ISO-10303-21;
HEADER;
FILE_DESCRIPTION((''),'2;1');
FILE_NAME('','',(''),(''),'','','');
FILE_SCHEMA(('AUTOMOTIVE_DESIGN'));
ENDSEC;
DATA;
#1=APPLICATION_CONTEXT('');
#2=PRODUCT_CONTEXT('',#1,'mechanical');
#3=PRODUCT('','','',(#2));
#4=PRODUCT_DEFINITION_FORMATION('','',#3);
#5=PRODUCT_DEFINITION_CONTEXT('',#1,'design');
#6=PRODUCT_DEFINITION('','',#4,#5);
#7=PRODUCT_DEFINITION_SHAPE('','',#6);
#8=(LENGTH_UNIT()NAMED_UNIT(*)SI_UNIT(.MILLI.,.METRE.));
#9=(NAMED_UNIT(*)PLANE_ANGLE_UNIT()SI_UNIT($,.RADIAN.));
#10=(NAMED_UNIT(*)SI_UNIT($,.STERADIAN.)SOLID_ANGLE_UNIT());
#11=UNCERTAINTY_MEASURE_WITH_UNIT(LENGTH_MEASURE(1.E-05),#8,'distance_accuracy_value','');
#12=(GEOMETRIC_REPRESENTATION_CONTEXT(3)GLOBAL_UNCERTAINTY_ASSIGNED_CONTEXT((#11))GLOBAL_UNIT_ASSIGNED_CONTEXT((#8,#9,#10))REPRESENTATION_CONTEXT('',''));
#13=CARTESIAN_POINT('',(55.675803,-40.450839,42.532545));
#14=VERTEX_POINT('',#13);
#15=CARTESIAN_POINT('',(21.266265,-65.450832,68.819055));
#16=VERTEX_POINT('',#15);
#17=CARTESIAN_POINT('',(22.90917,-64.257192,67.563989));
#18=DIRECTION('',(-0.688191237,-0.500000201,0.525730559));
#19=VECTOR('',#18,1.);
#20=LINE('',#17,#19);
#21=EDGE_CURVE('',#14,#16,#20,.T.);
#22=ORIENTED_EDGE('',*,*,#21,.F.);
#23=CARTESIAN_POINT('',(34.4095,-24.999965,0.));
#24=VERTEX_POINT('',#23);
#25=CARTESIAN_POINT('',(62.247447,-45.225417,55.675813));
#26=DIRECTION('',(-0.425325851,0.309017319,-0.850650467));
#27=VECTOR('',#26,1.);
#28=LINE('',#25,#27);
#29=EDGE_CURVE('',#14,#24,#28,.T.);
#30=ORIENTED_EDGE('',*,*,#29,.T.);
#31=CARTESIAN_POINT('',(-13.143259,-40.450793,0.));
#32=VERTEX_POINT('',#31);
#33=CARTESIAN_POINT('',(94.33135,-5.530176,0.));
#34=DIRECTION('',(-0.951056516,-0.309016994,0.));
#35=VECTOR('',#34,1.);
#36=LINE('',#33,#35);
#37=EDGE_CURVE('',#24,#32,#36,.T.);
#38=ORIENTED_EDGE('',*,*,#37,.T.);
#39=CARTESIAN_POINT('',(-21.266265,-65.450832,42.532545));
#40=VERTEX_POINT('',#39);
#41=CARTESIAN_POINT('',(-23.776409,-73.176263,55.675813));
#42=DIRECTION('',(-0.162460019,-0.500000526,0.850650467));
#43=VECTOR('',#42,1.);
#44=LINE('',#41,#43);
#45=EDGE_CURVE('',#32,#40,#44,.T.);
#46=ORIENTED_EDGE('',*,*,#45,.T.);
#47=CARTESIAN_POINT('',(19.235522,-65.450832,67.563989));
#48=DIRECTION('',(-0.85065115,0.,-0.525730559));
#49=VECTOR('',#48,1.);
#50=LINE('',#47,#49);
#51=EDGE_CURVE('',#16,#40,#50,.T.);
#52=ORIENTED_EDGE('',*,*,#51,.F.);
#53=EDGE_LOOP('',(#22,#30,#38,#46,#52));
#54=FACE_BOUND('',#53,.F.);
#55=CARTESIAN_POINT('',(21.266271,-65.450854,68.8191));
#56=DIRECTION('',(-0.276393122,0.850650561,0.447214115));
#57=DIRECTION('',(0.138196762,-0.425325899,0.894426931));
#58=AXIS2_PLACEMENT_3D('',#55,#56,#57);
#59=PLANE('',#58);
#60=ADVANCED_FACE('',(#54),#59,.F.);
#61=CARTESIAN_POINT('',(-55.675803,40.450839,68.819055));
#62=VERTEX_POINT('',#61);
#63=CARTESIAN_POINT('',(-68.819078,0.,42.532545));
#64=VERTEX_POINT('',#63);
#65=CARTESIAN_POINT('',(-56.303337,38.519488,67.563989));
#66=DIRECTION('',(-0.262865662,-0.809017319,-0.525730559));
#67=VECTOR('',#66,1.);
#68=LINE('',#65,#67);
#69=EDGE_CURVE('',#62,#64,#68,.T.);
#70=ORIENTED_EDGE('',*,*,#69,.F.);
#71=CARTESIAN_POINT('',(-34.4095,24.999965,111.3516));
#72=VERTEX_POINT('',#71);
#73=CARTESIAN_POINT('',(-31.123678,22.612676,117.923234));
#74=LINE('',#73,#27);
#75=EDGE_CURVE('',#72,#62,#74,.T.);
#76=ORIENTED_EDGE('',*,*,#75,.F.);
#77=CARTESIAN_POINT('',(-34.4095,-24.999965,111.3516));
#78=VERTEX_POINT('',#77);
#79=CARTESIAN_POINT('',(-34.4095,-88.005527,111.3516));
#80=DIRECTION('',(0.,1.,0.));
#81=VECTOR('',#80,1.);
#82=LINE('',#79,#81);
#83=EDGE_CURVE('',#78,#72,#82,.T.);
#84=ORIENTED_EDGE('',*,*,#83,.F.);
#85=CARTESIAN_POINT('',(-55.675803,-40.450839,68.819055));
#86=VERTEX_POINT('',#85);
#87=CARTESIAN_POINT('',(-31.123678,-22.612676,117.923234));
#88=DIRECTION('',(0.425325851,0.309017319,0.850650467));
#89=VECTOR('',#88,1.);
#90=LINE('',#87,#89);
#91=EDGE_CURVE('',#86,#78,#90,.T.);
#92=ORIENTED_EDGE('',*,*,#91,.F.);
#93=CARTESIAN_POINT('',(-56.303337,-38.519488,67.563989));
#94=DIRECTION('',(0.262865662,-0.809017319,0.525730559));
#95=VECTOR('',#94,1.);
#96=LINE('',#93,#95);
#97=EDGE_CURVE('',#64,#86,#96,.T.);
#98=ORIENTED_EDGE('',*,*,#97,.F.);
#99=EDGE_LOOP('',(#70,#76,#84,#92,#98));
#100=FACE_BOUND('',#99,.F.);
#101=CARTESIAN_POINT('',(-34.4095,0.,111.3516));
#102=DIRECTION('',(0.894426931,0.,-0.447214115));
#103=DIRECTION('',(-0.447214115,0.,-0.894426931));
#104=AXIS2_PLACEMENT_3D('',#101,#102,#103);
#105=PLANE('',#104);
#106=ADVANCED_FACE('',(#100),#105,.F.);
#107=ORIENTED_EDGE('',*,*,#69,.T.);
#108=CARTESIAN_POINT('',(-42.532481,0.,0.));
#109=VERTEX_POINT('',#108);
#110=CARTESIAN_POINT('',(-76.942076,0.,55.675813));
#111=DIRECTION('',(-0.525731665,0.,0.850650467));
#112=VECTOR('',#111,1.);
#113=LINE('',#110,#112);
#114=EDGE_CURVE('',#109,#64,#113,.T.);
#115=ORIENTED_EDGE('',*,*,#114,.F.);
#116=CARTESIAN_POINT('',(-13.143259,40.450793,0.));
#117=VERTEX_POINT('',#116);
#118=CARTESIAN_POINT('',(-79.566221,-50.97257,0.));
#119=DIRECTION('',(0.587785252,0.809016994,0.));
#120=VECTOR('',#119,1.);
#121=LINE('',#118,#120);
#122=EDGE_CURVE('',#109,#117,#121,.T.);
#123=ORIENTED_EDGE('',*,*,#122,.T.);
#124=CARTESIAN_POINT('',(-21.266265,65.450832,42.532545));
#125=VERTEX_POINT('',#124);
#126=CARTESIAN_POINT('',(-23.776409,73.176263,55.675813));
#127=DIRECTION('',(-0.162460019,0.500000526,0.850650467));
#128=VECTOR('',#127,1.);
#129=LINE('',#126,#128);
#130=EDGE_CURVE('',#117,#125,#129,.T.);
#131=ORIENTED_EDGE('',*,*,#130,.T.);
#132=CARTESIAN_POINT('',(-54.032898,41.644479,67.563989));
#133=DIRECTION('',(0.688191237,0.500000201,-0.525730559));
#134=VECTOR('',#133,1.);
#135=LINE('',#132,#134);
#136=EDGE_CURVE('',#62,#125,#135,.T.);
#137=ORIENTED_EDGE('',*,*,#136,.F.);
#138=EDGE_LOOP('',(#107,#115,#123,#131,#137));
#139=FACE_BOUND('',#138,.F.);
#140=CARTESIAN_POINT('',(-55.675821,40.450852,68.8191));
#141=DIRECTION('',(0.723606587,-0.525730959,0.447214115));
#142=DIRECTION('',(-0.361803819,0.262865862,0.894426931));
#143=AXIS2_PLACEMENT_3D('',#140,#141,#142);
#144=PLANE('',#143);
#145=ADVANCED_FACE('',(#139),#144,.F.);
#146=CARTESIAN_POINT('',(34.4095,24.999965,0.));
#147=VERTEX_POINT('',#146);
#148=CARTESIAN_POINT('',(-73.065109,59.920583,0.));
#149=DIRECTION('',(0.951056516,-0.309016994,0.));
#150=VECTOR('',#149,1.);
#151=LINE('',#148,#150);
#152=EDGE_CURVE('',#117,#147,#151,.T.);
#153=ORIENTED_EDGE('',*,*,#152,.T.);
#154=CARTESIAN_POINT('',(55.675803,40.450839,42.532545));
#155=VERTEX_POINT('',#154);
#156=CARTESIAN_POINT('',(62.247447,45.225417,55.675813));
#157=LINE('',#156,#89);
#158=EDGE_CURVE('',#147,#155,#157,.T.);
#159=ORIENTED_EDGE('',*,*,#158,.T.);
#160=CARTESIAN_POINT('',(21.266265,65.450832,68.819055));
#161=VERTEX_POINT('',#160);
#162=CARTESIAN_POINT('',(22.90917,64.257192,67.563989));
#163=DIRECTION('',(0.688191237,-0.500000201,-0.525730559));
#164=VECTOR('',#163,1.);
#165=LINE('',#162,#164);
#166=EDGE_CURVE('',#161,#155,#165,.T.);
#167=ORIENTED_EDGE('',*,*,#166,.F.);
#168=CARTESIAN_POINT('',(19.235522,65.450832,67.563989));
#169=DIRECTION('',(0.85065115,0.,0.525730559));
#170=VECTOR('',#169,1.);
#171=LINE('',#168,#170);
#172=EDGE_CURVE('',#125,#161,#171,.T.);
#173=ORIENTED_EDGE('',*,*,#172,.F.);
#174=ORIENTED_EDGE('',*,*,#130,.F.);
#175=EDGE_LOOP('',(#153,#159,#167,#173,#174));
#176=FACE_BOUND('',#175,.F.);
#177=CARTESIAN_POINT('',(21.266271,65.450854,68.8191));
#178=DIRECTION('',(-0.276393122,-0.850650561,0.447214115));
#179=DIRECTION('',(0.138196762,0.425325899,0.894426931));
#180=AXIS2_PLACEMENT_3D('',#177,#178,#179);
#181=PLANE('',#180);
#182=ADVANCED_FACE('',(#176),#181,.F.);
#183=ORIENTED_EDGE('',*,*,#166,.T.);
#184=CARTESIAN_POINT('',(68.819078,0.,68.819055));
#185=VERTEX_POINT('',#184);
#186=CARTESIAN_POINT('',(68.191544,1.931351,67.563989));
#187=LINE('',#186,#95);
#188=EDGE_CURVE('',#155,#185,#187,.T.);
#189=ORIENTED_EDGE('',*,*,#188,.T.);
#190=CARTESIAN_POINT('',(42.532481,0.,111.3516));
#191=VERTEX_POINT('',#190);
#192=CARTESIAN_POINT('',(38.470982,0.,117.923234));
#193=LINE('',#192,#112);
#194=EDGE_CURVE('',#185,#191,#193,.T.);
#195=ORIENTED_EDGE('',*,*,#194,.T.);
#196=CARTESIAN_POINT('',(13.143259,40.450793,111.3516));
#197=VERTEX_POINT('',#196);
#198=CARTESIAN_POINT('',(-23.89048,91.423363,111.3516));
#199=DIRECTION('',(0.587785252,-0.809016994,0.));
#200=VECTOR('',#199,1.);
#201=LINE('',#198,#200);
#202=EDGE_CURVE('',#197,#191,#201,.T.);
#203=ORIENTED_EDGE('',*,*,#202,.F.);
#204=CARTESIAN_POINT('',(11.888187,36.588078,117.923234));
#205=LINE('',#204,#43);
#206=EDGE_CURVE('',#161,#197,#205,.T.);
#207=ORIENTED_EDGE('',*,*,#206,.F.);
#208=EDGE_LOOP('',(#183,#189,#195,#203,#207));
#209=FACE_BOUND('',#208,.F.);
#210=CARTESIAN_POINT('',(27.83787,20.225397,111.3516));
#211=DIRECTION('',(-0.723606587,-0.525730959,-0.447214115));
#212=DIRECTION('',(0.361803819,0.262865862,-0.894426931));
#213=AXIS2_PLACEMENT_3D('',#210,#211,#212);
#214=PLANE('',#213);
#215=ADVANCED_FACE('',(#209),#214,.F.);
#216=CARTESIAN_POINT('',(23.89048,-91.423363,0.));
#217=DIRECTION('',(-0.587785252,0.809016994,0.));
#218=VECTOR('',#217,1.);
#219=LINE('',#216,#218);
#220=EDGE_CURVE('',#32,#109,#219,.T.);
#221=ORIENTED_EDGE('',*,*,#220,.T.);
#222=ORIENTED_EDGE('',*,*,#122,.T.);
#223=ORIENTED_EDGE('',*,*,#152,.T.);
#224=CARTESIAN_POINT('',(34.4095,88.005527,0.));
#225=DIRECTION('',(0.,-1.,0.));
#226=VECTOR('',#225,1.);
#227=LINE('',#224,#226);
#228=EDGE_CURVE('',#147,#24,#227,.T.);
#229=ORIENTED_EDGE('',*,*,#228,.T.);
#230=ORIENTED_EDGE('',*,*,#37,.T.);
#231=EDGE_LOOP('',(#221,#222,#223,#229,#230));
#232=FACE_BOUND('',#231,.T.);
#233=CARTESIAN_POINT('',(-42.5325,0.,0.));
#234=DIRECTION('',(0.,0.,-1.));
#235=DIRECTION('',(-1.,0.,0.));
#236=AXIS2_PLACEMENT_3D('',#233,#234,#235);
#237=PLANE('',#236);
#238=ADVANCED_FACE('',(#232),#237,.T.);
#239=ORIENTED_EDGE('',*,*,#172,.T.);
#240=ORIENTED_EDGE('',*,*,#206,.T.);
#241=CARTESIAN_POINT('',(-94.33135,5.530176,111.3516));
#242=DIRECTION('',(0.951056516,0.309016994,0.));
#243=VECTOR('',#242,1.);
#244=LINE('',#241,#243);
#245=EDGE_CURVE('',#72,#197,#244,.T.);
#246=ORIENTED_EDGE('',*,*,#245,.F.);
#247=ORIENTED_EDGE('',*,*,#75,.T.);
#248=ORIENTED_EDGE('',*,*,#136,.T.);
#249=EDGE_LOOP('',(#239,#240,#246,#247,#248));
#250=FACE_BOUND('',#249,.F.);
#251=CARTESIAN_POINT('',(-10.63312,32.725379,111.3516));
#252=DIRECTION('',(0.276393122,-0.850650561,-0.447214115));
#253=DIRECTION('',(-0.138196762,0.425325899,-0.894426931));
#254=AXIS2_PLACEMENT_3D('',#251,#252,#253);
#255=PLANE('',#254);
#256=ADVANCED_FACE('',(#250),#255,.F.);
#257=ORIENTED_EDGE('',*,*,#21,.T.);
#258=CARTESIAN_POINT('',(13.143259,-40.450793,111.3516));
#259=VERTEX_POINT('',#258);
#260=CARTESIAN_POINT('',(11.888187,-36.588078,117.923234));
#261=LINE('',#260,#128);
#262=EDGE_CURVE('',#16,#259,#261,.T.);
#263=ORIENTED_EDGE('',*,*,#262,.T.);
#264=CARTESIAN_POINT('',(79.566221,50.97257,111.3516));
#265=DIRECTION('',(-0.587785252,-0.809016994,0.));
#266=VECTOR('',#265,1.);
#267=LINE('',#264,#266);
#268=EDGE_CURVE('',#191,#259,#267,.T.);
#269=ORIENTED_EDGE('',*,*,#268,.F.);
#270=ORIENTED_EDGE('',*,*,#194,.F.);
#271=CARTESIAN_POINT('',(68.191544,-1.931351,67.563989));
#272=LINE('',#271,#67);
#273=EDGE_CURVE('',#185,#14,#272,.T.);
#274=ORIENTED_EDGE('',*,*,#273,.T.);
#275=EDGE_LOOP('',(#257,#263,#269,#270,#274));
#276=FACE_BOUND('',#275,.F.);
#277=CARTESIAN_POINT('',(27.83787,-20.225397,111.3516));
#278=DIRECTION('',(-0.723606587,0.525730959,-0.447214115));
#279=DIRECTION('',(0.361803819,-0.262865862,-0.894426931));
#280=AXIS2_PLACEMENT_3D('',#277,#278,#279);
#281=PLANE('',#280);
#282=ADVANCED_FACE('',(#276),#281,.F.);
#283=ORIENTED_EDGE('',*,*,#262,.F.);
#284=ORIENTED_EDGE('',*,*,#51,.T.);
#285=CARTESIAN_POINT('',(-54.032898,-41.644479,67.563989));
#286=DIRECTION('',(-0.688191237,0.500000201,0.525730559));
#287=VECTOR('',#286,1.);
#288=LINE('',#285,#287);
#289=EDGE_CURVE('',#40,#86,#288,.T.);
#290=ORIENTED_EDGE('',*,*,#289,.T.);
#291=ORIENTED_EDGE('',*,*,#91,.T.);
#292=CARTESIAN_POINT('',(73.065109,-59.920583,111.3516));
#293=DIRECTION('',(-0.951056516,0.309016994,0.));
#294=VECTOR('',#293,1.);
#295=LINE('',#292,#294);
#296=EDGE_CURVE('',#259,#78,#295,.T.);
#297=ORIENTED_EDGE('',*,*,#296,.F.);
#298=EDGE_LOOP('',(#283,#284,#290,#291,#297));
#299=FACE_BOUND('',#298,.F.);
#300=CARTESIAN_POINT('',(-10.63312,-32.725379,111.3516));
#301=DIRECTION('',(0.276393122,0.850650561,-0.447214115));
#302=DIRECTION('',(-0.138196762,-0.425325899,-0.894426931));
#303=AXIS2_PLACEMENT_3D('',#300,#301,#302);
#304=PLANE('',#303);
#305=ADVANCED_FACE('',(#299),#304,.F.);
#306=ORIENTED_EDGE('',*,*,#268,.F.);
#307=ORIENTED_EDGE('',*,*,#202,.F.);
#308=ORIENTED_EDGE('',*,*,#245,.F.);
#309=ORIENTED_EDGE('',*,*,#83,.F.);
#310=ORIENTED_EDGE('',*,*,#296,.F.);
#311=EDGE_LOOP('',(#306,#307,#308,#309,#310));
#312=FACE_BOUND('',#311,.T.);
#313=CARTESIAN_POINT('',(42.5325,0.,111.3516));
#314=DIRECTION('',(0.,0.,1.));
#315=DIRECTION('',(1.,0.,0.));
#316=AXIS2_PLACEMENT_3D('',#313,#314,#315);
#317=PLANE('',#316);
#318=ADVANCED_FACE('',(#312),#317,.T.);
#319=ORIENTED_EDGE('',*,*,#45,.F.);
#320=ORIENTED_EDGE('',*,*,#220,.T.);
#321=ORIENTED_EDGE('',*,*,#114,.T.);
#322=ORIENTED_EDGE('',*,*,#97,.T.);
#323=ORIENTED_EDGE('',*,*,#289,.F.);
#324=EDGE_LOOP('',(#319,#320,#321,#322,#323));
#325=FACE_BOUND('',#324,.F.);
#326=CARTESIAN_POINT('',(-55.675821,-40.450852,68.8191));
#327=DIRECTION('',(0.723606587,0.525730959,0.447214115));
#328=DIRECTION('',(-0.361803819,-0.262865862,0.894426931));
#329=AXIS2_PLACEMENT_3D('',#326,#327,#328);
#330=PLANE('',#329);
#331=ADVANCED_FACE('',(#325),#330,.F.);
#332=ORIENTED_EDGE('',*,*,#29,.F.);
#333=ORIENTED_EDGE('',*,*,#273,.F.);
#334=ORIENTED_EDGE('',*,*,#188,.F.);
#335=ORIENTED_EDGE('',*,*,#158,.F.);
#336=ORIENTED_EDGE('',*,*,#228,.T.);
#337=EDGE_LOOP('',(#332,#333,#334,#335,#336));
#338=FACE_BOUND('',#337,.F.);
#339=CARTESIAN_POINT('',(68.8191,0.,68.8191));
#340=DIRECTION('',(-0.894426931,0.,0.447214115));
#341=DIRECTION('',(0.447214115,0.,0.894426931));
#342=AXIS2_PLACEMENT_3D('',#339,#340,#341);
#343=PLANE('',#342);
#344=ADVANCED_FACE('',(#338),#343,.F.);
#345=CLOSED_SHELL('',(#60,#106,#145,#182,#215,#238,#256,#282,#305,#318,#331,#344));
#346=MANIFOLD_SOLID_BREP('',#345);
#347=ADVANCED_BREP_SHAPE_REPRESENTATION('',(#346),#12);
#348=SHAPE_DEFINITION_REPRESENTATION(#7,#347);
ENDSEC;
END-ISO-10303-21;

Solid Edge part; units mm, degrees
sketch "Sketch1" plane through (0, 0, 0) normal (0, -1, 0) x (1, 0, 0)
  arc A0 (0, -54) -> (0, 165.3516) centre (0, 55.6758) cw
  line L0 (0, 165.3516) -> (0, -54)
revolve "RevolvedProtrusion1" add sketch "Sketch1" angle 360 about axis through (0, 0, 197.5232) along (0, 0, -1)
sketch "Sketch2" plane through (0, 0, 0) normal (0, -1, 0) x (1, 0, 0)
  line L0 (-42.5325, 0) -> (34.4095, 0)
extrude "Cutout1" cut sketch "Sketch2" along normal up to next and the other way up to next material side at (-4.0615, 0, -0.05)
sketch "Sketch3" plane through (0, 0, 0) normal (0, -1, 0) x (1, 0, 0)
  line L0 (-42.5325, 0) -> (34.4095, 0)
  line L1 (34.4095, 0) -> (68.8191, 68.8191)
extrude "Cutout2" cut sketch "Sketch3" along normal up to next and the other way up to next material side at (-4.0615, 0, -0.05)
sketch "Sketch4" plane through (0, 0, 0) normal (0, -1, 0) x (1, 0, 0)
  line L0 (42.5325, 111.3516) -> (-34.4095, 111.3516)
  line L1 (-34.4095, 111.3516) -> (-68.8191, 42.5325)
extrude "Cutout3" cut sketch "Sketch4" along normal up to next and the other way up to next material side at (4.0615, 0, 111.4016)
pattern_circular "Pattern1" count 5 over 360 about axis through (0, 0, 0) along (0, 0, 1) of "Cutout2", "Cutout3"
